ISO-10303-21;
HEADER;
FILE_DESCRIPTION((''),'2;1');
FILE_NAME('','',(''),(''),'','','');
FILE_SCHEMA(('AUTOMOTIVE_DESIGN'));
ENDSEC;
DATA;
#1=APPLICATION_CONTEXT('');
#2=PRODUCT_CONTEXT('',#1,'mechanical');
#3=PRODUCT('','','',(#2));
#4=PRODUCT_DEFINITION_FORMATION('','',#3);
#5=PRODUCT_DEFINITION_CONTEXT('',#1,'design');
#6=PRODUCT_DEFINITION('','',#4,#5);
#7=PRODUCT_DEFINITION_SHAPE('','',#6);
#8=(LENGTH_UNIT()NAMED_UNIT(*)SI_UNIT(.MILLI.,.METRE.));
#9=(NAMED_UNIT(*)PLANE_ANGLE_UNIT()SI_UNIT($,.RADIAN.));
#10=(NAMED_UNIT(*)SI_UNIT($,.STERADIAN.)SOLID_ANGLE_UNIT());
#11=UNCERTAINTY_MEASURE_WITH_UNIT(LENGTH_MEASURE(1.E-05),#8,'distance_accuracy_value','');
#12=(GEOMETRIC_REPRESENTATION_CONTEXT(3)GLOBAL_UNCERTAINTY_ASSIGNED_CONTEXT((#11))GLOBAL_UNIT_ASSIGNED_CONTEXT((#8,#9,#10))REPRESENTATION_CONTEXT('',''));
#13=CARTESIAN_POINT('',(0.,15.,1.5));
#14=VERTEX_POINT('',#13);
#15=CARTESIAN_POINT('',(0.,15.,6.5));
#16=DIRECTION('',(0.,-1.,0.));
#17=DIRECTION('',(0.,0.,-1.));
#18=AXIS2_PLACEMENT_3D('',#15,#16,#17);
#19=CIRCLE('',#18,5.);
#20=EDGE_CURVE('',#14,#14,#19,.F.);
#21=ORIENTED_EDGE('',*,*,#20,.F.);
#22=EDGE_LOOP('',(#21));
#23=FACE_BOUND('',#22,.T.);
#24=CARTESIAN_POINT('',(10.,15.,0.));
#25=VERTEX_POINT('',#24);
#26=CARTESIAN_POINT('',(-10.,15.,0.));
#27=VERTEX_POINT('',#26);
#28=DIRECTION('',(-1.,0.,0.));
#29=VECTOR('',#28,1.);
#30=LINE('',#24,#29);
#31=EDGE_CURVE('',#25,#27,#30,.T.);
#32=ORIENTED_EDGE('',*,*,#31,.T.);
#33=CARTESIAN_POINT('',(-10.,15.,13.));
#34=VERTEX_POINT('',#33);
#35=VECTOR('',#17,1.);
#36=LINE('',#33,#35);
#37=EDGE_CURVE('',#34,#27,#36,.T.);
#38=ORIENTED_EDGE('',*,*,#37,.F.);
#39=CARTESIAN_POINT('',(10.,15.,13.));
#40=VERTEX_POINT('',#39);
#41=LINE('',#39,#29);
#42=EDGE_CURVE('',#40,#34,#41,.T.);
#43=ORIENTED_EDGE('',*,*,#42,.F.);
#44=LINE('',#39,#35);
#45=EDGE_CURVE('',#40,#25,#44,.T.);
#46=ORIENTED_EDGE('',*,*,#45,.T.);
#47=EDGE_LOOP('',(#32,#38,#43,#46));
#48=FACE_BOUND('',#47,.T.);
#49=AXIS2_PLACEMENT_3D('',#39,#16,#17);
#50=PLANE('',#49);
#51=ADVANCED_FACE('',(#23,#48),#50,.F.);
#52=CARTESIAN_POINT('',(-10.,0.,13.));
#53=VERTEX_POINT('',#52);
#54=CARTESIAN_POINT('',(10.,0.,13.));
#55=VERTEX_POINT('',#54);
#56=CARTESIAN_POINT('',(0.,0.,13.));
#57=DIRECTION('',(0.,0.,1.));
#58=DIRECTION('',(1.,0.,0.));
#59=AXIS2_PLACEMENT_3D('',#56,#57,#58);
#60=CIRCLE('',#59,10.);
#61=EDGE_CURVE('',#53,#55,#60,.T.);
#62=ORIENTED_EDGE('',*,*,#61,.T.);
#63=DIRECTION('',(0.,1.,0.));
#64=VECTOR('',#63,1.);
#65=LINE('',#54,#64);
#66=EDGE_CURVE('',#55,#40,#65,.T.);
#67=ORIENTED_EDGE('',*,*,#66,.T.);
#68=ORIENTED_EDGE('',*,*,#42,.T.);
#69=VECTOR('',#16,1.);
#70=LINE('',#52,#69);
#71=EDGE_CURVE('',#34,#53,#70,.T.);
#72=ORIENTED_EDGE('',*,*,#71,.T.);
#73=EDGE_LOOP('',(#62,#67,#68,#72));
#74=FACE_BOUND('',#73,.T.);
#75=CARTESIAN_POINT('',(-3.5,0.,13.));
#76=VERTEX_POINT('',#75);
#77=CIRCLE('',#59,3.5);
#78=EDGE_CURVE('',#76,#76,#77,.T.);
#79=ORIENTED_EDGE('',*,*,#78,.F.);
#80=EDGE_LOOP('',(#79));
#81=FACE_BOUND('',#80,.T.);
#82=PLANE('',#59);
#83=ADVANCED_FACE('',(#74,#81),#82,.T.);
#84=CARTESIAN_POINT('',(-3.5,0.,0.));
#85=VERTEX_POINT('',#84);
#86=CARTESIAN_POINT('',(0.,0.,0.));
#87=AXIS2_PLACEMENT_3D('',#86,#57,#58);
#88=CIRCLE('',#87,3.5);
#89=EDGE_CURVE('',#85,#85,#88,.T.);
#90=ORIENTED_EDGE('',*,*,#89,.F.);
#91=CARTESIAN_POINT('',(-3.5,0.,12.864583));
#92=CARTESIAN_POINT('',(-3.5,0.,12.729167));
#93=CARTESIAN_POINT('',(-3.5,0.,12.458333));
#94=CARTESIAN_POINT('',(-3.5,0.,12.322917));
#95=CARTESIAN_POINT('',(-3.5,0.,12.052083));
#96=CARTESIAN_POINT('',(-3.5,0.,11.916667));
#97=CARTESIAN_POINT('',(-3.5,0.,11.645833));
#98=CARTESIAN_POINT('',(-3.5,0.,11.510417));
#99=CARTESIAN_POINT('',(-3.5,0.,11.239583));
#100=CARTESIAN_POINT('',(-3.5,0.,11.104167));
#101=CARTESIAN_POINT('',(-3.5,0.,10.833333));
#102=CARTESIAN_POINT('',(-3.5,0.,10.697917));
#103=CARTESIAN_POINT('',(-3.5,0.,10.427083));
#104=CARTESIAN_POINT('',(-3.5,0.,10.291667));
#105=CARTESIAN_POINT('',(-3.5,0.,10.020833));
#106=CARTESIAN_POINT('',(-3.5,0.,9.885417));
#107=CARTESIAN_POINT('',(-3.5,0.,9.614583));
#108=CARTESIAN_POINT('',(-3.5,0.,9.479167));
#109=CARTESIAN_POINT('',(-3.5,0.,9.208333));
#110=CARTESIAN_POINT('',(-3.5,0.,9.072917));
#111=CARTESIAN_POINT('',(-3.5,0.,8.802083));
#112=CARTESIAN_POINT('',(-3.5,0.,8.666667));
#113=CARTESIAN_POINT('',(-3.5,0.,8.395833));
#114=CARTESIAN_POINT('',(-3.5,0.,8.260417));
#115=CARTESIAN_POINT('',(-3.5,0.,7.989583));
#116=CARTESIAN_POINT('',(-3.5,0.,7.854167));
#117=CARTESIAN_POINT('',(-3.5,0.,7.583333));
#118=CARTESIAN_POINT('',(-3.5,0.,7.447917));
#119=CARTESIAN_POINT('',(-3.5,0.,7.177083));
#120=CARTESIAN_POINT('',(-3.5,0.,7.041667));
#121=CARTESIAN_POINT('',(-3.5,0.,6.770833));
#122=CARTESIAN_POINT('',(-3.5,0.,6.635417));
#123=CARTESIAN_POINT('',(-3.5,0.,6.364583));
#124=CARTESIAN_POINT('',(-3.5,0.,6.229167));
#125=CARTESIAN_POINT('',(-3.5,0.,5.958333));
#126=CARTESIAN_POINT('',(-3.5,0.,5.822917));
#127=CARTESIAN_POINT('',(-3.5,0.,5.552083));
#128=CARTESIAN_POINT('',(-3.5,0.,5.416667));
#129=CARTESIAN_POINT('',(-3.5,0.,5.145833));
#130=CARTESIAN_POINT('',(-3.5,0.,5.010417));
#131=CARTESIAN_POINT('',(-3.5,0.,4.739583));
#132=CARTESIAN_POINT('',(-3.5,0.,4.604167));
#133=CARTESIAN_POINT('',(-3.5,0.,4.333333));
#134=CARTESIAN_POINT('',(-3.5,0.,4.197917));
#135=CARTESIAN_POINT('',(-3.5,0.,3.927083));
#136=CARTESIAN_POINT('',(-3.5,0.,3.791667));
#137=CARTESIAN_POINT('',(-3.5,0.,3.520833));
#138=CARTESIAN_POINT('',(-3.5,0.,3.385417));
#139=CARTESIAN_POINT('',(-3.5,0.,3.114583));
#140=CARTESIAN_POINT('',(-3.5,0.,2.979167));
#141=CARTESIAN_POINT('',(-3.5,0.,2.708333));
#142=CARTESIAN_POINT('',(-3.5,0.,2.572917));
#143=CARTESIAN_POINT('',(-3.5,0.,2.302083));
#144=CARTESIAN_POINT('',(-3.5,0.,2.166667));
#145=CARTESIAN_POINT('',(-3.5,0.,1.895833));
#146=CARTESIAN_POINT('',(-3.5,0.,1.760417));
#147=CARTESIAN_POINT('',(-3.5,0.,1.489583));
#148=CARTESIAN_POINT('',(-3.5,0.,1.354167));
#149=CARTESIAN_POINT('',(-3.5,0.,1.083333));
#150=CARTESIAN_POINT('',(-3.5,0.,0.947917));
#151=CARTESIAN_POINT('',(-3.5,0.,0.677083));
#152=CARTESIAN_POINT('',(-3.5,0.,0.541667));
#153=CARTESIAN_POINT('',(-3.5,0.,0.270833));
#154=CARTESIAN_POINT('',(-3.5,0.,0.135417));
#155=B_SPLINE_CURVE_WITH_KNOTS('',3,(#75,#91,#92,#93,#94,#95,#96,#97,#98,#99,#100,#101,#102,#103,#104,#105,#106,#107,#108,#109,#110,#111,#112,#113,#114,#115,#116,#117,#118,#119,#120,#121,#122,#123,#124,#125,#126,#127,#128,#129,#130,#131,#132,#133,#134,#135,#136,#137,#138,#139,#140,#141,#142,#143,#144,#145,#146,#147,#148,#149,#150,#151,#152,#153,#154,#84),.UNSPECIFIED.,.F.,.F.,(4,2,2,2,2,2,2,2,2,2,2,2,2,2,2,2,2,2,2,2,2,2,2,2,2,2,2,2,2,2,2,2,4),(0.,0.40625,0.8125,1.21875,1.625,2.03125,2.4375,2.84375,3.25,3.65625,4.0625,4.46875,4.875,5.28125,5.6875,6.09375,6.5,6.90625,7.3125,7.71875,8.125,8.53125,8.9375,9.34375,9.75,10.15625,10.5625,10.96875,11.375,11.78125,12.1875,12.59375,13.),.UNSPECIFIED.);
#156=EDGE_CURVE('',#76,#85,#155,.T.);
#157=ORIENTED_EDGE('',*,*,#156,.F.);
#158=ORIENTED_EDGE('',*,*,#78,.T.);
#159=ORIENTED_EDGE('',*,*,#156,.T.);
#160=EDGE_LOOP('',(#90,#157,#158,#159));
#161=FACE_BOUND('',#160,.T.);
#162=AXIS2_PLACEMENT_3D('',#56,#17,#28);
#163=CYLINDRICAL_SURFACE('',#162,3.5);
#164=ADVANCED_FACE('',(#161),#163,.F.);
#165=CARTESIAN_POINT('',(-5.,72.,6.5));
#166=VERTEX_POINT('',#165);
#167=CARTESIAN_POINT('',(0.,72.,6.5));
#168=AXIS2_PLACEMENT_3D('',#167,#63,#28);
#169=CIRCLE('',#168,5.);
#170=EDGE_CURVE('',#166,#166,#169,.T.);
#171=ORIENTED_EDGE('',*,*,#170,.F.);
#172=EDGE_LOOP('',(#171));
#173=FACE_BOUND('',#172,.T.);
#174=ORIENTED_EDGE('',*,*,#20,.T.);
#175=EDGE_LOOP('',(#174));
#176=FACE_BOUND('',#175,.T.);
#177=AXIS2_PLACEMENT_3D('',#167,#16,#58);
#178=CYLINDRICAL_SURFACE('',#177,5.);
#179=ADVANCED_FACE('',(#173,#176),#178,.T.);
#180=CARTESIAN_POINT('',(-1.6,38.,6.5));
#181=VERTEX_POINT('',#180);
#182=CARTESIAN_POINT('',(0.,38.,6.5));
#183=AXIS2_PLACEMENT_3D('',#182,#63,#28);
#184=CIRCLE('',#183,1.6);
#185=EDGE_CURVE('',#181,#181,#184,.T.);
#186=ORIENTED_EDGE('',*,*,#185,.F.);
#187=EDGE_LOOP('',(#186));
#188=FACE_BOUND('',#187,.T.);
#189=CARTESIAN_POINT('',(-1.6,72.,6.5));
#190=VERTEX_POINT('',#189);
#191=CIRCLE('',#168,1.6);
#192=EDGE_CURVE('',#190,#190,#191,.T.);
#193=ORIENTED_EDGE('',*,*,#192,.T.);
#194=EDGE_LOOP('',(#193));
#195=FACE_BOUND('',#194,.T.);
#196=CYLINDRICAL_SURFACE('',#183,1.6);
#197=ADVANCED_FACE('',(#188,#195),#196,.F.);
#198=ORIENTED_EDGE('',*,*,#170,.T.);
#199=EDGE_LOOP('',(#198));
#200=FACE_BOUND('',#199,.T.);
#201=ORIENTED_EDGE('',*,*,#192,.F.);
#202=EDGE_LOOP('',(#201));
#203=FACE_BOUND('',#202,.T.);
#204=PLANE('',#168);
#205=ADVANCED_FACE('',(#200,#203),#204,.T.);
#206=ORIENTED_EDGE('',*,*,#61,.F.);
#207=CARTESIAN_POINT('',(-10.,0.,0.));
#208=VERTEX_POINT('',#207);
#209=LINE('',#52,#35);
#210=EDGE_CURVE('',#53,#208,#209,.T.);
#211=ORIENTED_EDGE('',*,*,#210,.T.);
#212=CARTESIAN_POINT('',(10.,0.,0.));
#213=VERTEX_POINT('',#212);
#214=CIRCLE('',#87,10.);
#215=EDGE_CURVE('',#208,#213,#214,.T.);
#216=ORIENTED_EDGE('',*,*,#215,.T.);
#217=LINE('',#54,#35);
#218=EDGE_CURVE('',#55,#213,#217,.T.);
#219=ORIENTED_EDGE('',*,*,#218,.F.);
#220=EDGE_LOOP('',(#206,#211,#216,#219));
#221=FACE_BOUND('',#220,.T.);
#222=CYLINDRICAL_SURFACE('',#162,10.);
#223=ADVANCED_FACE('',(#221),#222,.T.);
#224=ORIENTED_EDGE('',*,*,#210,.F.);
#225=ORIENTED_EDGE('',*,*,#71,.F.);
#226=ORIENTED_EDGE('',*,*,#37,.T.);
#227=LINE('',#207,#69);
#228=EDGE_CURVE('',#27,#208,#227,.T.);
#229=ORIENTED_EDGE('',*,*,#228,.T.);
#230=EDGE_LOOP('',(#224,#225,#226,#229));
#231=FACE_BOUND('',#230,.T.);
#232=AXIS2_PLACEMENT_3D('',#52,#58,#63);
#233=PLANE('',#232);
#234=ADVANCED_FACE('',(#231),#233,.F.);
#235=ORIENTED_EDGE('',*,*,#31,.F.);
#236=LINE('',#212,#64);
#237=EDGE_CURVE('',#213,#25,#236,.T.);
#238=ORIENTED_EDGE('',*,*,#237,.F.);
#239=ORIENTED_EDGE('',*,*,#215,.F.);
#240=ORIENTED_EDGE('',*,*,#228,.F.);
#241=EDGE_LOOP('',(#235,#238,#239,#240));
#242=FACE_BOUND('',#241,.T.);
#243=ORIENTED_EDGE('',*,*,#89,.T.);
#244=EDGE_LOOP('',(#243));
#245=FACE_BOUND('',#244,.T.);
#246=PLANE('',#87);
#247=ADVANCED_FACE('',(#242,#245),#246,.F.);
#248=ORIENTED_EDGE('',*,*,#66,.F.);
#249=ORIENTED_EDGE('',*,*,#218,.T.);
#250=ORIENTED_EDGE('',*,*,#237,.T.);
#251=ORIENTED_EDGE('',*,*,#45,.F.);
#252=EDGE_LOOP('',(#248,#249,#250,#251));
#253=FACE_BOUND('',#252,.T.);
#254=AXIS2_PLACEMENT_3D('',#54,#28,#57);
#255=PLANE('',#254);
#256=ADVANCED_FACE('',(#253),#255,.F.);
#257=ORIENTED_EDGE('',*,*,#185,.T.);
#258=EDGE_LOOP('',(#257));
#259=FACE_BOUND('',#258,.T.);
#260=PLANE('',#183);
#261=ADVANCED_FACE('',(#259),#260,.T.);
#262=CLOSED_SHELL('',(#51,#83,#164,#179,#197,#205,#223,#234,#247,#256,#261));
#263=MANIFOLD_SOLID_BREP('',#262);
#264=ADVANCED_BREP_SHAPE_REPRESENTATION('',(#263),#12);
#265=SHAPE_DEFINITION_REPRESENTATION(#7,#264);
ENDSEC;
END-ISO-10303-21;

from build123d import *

# Parameters (mm, degrees)
ESBO_O1_R                = 3.5
RESSALTO_EXTRUS_O1_DEPTH = 13
ESBO_O2_R                = 5
RESSALTO_EXTRUS_O2_DEPTH = 57
ESBO_O3_R                = 1.6
CORTE_EXTRUS_O1_DEPTH    = 34


with BuildPart() as part:
    # Esboço1 → Ressalto-extrusão1 (new body)
    with BuildSketch(Plane.XY):
        with BuildLine():
            Line((-10, 0), (-10, 15))
            Line((-10, 15), (10, 15))
            Line((10, 15), (10, 0))
            ThreePointArc((10, 0), (0, -10), (-10, 0))
        make_face()
        with Locations(Location((0, 0, 0), (0, 0, 180))):
            Circle(ESBO_O1_R, mode=Mode.SUBTRACT)
    extrude(amount=RESSALTO_EXTRUS_O1_DEPTH)

    # Esboço2 → Ressalto-extrusão2 (add)
    with BuildSketch(Plane(origin=(0, 15, 0), x_dir=(1, 0, 0), z_dir=(0, 1, 0))):
        with Locations(Location((0, -6.5, 0), (0, 0, 90))):
            Circle(ESBO_O2_R)
    extrude(amount=RESSALTO_EXTRUS_O2_DEPTH)

    # Esboço3 → Corte-extrusão1 (cut)
    with BuildSketch(Plane(origin=(0, 72, 0), x_dir=(1, 0, 0), z_dir=(0, 1, 0))):
        with Locations(Location((0, -6.5, 0), (0, 0, 180))):
            Circle(ESBO_O3_R)
    extrude(amount=-CORTE_EXTRUS_O1_DEPTH, mode=Mode.SUBTRACT)


solid = part.part
